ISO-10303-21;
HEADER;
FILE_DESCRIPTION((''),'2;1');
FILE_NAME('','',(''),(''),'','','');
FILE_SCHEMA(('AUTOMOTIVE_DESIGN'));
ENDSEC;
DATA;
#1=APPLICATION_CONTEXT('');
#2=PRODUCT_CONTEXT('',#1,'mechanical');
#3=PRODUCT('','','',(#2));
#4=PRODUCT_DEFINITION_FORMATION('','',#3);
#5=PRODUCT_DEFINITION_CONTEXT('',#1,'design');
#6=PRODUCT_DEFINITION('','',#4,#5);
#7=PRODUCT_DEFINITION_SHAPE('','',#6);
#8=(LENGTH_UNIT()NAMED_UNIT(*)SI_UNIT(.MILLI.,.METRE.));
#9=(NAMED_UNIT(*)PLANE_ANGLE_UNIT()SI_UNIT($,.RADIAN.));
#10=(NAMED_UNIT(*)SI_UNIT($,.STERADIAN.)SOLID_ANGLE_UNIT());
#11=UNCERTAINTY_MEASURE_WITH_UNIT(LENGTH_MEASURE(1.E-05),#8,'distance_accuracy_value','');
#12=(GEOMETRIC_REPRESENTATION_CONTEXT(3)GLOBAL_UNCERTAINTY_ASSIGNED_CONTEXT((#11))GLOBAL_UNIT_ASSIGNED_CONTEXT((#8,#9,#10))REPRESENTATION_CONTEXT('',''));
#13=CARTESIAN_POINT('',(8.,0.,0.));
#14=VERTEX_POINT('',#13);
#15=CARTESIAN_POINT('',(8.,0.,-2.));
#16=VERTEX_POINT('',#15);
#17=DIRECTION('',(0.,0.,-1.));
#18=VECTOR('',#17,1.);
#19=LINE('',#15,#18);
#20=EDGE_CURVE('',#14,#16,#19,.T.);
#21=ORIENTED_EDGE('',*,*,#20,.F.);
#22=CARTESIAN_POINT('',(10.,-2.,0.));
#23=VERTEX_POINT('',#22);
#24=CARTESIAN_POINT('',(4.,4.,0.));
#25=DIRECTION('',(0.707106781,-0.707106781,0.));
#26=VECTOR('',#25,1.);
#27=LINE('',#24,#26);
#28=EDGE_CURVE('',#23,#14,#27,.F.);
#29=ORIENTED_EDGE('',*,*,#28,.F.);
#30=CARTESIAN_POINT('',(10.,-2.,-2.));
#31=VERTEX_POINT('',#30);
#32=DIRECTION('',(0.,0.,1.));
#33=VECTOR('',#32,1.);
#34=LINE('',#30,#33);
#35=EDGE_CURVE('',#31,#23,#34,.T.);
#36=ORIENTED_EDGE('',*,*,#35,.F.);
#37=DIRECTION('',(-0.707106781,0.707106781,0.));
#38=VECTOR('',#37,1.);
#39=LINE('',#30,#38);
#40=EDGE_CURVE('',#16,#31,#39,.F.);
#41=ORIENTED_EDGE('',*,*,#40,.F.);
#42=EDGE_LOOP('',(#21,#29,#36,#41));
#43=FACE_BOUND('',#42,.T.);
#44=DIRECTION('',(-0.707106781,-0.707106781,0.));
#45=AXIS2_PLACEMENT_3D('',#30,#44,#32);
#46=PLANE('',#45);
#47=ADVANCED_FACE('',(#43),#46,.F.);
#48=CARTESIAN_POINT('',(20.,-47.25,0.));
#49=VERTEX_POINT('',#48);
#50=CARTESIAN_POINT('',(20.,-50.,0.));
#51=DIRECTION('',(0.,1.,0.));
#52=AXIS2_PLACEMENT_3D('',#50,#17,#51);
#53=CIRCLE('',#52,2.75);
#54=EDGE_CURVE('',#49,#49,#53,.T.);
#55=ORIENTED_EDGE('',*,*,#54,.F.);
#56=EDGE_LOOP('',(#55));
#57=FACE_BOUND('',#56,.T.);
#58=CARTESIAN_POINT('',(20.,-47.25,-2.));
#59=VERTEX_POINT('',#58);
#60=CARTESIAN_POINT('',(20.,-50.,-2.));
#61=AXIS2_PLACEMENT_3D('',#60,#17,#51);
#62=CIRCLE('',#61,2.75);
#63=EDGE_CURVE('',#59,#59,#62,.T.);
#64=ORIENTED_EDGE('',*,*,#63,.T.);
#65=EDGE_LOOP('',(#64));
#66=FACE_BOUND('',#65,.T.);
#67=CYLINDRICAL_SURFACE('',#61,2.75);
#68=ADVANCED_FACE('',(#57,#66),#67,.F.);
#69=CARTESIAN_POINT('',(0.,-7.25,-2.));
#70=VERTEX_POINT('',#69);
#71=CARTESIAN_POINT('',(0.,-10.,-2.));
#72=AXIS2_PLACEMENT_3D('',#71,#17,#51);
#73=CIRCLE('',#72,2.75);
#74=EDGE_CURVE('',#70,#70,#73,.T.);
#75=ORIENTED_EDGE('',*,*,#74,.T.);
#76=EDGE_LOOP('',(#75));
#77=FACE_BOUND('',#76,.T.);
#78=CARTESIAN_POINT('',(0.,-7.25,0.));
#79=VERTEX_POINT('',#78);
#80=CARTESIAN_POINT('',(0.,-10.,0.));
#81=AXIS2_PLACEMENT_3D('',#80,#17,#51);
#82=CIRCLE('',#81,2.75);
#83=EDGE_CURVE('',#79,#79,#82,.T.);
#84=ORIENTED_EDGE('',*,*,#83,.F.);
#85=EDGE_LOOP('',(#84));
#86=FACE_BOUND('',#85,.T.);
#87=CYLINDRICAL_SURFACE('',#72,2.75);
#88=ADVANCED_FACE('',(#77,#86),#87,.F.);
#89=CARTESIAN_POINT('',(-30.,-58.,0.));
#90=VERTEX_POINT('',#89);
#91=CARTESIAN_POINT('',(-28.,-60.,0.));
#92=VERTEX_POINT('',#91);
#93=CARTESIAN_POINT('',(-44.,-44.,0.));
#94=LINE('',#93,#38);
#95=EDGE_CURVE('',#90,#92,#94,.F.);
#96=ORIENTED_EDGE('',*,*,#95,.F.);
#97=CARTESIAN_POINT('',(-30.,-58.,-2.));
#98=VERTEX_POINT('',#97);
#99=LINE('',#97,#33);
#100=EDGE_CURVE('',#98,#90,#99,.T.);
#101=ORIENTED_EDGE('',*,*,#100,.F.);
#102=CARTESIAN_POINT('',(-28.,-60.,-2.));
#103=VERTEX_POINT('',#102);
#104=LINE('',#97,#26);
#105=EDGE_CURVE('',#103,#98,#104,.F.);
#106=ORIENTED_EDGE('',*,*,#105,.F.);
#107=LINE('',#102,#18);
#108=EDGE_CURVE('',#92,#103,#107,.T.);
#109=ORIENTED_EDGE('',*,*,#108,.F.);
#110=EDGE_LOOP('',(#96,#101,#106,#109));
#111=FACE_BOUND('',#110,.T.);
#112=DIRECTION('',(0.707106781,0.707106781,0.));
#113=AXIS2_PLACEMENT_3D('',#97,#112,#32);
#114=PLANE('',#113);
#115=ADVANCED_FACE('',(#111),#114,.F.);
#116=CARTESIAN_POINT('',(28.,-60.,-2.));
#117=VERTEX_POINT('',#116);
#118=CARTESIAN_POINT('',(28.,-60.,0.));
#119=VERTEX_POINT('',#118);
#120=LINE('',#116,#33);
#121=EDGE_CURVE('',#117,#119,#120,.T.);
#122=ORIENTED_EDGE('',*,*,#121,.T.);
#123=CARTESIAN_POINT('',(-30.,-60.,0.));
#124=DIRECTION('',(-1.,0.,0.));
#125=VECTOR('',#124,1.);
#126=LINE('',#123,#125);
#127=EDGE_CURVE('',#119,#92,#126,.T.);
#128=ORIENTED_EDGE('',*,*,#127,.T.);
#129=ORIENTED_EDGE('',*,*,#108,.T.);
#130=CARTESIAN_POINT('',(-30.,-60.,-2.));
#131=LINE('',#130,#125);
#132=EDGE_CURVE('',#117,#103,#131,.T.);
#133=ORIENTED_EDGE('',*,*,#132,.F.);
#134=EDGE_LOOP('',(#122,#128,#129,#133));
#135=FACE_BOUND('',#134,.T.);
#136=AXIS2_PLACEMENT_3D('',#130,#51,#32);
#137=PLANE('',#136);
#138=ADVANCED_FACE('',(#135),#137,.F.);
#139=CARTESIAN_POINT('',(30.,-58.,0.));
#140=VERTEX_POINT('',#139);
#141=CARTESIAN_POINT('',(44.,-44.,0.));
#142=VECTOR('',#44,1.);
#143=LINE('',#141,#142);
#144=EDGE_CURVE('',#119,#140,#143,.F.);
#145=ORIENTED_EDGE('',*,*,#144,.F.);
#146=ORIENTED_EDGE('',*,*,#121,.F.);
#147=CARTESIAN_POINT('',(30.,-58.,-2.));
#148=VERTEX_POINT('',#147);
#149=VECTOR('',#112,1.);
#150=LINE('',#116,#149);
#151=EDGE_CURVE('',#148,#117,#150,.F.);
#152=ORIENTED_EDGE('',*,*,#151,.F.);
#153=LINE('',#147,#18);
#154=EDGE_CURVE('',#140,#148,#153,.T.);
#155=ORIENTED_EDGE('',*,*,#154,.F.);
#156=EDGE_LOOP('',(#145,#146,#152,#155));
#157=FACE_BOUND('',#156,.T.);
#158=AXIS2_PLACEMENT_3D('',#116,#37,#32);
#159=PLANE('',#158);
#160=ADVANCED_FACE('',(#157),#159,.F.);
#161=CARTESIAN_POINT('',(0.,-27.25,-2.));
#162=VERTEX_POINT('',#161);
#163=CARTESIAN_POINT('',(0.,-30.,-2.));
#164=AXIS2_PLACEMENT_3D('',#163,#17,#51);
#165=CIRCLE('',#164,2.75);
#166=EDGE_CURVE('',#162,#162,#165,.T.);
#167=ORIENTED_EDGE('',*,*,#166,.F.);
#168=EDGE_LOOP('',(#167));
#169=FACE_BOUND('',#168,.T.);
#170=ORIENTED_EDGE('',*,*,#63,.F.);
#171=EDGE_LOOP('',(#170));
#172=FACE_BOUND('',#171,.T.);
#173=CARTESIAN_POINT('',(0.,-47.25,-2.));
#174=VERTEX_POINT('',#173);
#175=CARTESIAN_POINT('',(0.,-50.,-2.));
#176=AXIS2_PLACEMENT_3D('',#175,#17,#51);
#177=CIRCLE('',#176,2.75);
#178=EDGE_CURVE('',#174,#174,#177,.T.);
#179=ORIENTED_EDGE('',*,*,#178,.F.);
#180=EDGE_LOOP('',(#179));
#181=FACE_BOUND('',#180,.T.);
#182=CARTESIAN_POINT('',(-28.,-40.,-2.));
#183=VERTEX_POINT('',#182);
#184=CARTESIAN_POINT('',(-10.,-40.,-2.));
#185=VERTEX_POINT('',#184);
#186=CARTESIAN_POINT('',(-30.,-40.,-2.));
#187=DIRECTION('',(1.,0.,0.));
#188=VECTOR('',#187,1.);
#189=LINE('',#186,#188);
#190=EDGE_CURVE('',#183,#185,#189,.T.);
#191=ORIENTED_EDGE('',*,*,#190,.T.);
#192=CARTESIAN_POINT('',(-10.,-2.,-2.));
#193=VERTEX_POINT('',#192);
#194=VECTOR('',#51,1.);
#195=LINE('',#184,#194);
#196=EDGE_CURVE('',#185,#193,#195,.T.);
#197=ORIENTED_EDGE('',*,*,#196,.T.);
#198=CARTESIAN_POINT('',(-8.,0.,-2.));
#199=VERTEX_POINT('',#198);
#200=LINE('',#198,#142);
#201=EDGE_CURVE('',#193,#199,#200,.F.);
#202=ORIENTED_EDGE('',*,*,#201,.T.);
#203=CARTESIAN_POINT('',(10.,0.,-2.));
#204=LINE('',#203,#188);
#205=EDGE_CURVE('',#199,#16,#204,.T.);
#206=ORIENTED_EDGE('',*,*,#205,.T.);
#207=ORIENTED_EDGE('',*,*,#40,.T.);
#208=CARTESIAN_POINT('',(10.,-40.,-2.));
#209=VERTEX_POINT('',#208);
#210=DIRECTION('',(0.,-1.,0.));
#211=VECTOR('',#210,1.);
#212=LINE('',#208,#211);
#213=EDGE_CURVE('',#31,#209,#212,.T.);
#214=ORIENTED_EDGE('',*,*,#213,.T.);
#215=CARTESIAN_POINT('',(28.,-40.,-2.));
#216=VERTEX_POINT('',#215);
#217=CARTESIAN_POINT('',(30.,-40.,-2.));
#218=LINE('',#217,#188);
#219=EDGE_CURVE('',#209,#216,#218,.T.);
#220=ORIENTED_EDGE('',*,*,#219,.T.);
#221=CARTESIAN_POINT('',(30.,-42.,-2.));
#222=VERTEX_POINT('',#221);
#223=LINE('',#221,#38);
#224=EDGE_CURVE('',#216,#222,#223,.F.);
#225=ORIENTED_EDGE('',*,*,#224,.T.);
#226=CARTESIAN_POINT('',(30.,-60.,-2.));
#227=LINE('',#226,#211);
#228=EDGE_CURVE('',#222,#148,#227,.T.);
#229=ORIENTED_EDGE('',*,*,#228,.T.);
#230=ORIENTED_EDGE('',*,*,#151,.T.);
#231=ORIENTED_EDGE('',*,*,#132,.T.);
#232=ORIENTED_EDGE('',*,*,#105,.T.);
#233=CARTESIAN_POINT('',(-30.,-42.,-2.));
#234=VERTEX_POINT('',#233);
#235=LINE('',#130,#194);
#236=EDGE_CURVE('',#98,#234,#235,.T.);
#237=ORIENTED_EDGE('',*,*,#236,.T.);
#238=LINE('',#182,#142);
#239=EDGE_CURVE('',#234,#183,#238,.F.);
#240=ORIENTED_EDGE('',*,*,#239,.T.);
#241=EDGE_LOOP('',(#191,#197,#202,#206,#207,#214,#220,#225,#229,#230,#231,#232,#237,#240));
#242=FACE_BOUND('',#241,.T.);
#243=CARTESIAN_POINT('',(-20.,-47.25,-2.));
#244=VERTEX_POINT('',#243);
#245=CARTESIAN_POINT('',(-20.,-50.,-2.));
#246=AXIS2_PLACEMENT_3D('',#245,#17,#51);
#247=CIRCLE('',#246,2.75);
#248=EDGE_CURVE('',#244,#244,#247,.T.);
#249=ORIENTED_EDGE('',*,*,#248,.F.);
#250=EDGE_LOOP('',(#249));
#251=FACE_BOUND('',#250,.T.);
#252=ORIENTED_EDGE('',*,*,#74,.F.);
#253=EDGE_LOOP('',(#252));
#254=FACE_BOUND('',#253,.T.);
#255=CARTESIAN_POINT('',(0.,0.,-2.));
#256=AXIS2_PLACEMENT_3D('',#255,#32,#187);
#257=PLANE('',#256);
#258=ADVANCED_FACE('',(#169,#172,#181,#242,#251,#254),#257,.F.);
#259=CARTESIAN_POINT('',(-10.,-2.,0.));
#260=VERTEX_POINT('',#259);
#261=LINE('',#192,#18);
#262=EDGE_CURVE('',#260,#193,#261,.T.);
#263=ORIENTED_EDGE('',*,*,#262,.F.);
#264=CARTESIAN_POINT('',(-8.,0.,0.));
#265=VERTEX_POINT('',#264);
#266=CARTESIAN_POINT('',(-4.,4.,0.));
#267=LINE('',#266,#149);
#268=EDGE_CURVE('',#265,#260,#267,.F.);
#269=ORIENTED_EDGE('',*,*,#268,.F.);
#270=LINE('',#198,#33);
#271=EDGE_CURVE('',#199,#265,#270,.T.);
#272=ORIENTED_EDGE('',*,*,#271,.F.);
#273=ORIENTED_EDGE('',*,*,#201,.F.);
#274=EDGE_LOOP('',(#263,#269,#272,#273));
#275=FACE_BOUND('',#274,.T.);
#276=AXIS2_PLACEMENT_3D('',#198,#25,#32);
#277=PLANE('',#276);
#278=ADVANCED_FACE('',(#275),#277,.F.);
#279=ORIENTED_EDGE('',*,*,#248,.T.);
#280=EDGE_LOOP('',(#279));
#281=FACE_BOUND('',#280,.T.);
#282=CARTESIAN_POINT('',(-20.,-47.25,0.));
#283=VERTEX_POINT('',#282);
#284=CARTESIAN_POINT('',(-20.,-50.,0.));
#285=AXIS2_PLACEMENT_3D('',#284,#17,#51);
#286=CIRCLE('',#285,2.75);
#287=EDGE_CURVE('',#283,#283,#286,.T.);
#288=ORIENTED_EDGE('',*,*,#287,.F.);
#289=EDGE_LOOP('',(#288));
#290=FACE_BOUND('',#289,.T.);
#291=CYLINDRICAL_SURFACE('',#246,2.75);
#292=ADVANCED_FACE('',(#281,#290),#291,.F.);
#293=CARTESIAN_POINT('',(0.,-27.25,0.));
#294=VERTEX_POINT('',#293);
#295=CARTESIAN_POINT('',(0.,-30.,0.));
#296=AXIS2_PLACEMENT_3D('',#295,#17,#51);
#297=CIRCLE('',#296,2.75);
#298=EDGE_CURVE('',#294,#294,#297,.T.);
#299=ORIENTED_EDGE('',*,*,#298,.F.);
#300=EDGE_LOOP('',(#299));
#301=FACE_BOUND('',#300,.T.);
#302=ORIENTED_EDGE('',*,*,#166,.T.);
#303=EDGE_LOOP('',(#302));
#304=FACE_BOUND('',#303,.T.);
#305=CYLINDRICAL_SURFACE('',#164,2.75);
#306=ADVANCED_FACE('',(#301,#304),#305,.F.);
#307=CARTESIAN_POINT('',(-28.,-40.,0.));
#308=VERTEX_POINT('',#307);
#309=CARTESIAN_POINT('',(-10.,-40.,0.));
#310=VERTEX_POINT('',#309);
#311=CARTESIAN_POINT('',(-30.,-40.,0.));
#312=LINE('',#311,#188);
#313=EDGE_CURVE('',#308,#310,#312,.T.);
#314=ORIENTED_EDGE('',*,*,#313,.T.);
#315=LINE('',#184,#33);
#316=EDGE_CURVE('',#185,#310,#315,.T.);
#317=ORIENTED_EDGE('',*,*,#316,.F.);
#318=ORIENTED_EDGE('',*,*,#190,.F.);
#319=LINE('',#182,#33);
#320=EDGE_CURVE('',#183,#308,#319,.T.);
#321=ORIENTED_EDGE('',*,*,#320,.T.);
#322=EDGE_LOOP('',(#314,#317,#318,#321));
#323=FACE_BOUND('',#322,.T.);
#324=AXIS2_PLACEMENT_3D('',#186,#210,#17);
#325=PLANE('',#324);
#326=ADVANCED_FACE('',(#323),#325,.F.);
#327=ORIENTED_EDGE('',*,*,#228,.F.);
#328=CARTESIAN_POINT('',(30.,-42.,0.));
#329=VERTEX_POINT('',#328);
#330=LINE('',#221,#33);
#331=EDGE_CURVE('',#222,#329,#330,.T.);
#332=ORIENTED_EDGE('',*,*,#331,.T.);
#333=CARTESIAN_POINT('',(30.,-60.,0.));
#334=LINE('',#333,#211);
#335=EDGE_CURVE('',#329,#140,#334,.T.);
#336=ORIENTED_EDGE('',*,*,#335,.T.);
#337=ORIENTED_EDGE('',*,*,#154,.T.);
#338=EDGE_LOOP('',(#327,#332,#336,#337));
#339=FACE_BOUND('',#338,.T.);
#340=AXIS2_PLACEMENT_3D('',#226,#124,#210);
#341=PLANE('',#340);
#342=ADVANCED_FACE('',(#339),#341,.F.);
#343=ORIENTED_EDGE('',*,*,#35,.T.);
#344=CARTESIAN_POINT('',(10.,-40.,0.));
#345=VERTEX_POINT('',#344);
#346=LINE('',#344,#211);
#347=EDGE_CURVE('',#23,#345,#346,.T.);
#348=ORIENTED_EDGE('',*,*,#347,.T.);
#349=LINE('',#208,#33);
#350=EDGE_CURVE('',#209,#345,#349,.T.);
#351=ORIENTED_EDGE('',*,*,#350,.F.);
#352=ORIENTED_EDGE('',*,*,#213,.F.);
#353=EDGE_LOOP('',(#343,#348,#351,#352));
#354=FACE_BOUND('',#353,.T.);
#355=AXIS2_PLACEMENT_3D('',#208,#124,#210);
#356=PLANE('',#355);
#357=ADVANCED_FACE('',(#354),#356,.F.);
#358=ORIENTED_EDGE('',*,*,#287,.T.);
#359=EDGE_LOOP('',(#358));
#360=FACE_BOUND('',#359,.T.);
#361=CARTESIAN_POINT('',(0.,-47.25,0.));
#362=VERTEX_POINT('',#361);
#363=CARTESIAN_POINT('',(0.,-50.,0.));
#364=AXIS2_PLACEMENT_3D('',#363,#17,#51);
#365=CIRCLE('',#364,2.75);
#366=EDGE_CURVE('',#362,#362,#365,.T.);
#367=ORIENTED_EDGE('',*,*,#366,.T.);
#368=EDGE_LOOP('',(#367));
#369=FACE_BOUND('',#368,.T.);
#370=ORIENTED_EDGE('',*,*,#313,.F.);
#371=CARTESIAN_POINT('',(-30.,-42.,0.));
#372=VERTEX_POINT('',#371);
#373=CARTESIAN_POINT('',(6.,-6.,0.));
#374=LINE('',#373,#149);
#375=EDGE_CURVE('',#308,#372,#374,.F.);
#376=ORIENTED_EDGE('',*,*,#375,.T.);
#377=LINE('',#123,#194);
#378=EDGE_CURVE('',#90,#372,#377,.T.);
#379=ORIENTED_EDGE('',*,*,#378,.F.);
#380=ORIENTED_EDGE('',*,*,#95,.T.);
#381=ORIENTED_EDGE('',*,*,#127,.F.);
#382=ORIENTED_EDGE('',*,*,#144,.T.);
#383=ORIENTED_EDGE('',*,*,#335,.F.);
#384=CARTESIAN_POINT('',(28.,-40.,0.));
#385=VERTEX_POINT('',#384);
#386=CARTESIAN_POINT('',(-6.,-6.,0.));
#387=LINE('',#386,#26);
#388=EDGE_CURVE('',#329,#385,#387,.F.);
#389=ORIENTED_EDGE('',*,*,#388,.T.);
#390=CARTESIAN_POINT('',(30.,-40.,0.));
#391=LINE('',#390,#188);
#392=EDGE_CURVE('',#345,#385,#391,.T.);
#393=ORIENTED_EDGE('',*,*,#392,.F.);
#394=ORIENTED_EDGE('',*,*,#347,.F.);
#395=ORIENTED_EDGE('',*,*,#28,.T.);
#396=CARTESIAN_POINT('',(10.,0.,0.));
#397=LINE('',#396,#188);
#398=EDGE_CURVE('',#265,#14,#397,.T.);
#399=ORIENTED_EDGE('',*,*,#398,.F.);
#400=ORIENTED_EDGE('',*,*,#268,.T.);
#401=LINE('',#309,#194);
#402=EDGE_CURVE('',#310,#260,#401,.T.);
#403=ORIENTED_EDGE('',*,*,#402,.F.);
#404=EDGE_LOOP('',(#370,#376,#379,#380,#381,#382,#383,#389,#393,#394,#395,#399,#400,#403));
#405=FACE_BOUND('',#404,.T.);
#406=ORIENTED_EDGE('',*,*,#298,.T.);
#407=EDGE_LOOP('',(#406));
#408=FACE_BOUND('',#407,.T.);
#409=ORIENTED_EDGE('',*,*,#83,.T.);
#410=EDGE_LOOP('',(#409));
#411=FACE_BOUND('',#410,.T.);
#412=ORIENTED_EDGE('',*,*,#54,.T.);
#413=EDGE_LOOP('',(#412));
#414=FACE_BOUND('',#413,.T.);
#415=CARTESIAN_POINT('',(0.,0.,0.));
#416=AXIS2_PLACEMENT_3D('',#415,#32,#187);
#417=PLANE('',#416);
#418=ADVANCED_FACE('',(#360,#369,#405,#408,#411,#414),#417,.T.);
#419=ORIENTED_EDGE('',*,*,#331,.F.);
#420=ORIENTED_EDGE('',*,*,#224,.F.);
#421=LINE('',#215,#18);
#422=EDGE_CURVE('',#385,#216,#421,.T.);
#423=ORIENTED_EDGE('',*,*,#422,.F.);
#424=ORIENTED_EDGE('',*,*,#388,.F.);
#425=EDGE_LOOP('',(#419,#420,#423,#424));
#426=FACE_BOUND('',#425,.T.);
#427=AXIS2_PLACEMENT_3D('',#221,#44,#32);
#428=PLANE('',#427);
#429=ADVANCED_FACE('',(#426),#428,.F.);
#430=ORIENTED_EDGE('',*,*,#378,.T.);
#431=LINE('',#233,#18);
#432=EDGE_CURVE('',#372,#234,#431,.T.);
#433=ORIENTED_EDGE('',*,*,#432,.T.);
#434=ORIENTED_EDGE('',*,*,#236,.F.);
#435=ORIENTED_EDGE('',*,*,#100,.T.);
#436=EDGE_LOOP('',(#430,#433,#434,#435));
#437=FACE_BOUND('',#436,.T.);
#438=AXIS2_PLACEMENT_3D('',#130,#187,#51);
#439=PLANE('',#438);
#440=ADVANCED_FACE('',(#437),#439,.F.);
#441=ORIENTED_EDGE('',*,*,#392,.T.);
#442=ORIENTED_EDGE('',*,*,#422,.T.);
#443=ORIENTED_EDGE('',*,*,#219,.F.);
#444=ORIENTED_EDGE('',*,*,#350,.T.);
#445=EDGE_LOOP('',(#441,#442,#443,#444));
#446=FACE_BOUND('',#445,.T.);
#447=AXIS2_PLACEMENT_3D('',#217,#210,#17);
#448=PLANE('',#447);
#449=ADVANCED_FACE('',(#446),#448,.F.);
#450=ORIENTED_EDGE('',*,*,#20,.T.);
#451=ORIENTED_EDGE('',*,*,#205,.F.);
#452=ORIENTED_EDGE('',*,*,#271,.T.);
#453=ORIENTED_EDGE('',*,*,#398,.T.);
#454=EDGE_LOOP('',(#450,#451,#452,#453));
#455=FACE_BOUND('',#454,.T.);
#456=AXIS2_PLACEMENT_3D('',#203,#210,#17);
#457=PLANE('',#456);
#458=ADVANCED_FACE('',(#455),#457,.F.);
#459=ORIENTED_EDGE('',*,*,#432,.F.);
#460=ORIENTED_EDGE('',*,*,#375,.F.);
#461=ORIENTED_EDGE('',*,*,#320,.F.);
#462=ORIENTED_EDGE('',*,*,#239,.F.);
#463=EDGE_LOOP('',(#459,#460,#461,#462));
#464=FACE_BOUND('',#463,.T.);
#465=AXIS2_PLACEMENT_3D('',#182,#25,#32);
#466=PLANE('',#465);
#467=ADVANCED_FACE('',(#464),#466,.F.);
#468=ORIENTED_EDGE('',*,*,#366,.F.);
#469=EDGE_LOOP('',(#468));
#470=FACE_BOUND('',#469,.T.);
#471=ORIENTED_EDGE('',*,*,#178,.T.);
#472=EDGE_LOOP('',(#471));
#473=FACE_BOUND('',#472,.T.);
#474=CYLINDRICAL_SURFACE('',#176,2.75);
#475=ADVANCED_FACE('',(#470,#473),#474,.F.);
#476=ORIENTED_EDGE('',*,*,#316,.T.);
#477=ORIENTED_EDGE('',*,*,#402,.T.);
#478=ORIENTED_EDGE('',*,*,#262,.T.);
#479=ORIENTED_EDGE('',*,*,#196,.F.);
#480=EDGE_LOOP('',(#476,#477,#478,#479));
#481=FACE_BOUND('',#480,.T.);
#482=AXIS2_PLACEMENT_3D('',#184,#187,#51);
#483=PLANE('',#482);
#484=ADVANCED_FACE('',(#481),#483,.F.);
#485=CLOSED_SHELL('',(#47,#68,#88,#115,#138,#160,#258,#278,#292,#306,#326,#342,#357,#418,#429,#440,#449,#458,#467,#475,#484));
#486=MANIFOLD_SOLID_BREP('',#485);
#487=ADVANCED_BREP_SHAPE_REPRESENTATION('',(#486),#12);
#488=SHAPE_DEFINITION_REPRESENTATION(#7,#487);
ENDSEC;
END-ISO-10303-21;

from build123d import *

# Parameters (mm, degrees)
EXTRUDE_1_DEPTH   = 2
HOLE_WIZARD_M51_D = 5.5
CHAMFER_1_SIZE    = 2


with BuildPart() as part:
    # Эскиз1 → Бобышка-Вытянуть1 (new body)
    with BuildSketch(Plane(origin=(0, 0, 0), x_dir=(1, 0, 0), z_dir=(0, 0, -1))):
        Polygon((-30, 60), (30, 60), (30, 40), (10, 40), (10, 0), (-10, 0), (-10, 40), (-30, 40), align=None)
    extrude(amount=EXTRUDE_1_DEPTH)

    # Отверстие с зазором M51 (through all)
    with Locations(Plane(origin=(0, 0, -2), x_dir=(1, 0, 0), z_dir=(0, 0, -1))):
        with Locations((0, 10), (0, 50), (-20, 50), (20, 50), (0, 30)):
            Hole(HOLE_WIZARD_M51_D / 2)

    # Фаска1
    chamfer_1_edges = [part.edges().sort_by_distance(p)[0] for p in [
        (-30, -40, -1),
        (-30, -60, -1),
        (30, -60, -1),
        (30, -40, -1),
        (10, 0, -1),
        (-10, 0, -1),
    ]]
    chamfer(chamfer_1_edges, length=CHAMFER_1_SIZE)


solid = part.part
